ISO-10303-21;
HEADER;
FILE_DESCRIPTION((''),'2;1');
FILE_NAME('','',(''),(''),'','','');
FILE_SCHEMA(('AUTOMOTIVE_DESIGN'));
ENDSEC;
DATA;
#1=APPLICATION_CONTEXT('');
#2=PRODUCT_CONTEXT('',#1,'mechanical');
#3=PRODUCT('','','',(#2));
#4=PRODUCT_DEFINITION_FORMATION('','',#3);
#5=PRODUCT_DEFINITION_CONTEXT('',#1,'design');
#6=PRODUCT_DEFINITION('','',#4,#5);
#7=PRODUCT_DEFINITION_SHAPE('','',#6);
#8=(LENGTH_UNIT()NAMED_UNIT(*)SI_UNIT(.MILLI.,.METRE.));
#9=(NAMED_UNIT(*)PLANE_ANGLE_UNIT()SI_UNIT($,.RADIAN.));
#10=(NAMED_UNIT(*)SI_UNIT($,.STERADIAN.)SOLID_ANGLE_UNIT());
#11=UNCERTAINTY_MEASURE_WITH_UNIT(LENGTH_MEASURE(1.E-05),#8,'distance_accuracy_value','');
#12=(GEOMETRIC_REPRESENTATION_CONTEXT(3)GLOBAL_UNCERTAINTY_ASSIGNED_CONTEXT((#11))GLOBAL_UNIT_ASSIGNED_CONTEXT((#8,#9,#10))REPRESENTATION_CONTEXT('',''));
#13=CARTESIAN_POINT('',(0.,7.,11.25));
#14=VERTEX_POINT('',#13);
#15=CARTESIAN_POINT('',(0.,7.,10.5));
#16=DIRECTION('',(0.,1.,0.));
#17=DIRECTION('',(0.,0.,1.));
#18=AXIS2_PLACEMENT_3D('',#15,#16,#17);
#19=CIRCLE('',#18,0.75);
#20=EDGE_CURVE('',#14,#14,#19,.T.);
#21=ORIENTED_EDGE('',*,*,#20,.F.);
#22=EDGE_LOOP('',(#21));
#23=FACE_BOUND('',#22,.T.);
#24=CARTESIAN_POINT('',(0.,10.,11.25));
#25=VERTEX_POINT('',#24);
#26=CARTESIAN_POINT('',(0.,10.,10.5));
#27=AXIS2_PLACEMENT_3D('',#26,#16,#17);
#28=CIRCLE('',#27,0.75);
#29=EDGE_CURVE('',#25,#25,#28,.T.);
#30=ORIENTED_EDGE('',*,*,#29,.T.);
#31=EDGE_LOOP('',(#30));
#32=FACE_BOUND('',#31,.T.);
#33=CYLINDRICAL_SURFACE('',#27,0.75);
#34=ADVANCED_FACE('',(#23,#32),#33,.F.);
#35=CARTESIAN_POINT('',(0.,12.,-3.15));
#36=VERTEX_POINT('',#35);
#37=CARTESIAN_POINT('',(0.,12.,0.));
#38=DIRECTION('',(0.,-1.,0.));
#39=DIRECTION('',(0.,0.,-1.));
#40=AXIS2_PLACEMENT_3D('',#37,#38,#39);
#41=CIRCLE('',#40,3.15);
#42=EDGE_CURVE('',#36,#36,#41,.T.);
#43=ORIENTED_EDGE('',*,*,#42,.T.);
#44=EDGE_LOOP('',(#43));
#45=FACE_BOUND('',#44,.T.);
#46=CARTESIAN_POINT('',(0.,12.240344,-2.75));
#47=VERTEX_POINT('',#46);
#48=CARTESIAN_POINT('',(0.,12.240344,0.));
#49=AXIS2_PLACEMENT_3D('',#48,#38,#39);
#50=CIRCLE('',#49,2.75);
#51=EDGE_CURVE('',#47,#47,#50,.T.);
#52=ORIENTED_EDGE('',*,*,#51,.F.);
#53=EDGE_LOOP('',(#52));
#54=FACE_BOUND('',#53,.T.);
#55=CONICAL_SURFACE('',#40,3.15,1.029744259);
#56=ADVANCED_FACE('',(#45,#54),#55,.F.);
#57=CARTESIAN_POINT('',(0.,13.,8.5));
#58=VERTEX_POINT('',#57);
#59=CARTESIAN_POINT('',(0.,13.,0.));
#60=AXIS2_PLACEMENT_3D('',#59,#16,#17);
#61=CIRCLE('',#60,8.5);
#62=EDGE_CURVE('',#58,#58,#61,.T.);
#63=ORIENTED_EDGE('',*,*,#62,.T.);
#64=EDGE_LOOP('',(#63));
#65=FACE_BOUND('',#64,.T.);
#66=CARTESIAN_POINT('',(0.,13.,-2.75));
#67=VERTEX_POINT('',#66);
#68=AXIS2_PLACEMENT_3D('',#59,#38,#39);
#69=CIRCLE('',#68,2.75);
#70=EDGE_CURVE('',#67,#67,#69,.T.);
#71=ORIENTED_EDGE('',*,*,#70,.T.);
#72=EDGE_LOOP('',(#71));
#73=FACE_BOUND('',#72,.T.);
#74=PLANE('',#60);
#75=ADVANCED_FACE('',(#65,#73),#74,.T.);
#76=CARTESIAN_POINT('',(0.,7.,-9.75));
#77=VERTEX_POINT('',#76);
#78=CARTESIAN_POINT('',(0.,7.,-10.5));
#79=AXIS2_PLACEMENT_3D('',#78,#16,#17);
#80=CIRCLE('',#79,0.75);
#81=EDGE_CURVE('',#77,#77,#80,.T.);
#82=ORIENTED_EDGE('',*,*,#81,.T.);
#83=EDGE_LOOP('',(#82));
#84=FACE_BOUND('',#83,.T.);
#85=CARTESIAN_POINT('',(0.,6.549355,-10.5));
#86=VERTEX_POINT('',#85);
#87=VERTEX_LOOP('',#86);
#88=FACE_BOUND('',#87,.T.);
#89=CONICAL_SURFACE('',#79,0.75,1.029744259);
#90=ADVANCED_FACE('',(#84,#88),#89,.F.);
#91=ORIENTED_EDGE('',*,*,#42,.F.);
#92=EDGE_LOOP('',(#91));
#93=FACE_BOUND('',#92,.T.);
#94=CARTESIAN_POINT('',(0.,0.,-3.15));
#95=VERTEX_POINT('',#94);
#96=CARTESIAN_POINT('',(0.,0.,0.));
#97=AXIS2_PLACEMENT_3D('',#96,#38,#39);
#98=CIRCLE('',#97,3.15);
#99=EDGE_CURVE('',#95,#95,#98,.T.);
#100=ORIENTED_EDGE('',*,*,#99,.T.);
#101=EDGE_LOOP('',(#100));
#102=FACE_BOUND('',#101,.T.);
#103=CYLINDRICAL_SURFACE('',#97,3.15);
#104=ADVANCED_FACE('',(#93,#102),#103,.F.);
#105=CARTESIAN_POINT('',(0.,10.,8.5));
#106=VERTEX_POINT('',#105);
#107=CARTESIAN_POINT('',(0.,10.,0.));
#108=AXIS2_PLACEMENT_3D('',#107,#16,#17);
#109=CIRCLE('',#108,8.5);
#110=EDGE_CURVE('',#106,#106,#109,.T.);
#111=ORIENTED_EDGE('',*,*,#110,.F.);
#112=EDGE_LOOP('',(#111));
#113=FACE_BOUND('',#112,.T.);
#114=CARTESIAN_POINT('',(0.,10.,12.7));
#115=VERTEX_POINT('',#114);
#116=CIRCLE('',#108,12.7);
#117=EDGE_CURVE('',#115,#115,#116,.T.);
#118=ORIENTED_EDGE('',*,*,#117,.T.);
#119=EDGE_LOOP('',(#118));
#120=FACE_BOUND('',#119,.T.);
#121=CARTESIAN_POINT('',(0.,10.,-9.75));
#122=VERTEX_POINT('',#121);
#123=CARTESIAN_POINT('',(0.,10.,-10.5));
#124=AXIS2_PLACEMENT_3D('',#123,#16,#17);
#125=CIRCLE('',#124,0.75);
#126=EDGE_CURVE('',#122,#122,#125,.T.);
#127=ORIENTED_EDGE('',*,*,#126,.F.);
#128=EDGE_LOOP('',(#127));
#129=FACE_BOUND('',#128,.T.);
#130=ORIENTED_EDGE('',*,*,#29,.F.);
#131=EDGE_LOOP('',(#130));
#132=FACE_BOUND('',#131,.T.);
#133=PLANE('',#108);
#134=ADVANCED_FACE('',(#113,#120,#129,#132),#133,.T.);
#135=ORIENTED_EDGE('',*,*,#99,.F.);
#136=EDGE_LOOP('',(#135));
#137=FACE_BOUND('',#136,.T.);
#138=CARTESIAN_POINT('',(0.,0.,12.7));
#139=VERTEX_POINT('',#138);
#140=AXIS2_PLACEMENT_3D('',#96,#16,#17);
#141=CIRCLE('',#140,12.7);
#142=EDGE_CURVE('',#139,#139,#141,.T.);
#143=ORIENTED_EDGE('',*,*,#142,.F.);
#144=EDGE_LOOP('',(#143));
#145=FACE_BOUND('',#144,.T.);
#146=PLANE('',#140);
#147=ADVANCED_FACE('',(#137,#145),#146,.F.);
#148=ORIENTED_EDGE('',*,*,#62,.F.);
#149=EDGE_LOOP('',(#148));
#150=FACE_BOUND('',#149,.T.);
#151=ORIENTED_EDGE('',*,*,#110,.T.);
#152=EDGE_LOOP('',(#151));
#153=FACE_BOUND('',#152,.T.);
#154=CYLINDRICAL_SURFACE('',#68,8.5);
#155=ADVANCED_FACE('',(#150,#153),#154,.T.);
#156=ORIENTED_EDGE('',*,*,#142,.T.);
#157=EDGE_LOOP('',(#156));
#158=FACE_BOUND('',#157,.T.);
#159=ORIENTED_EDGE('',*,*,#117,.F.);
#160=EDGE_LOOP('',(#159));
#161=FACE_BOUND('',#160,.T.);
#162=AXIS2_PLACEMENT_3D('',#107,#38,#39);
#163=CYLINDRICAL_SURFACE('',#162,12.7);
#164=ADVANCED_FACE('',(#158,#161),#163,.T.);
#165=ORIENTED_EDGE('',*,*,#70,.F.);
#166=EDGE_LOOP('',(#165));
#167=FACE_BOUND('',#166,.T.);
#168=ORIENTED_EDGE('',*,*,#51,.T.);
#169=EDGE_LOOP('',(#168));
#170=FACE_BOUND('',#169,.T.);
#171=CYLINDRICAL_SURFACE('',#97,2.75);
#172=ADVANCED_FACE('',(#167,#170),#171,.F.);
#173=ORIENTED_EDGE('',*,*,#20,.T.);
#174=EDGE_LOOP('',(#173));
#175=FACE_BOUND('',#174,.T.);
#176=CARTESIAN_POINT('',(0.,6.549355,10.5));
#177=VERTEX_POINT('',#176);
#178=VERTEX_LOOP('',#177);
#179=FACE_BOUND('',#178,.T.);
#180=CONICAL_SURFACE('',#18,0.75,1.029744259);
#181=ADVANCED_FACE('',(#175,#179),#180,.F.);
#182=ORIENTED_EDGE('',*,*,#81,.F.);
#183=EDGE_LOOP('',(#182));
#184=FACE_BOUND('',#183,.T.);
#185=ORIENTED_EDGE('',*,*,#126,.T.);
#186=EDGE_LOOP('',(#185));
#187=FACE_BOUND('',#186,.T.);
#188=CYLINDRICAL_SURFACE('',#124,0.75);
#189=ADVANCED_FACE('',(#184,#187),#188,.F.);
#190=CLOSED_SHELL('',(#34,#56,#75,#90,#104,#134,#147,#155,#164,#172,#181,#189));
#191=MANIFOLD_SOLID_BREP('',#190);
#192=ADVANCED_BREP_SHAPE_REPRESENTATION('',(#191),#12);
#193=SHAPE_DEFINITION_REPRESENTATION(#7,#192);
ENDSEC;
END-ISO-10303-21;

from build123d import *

# Parameters (mm, degrees)
SKETCH1_R                      = 12.7
BOSS_EXTRUDE1_DEPTH            = 10
SKETCH2_R                      = 8.5
BOSS_EXTRUDE2_DEPTH            = 3
F_5_5_5_5_DIAMETER_HOLE1_D     = 5.5
F_6_3_6_3_DIAMETER_HOLE1_D     = 6.3
F_6_3_6_3_DIAMETER_HOLE1_DEPTH = 12
F_6_3_6_3_DIAMETER_HOLE1_TIP   = 1.89271095
F_1_5MM_DOWEL_HOLE1_D          = 1.5
F_1_5MM_DOWEL_HOLE1_DEPTH      = 3
F_1_5MM_DOWEL_HOLE1_TIP        = 0.450645464


with BuildPart() as part:
    # Sketch1 → Boss-Extrude1 (new body)
    with BuildSketch(Plane(origin=(0, 0, 0), x_dir=(1, 0, 0), z_dir=(0, 1, 0))):
        Circle(SKETCH1_R)
    extrude(amount=BOSS_EXTRUDE1_DEPTH)

    # Sketch2 → Boss-Extrude2 (add)
    with BuildSketch(Plane(origin=(0, 10, 0), x_dir=(1, 0, 0), z_dir=(0, 1, 0))):
        Circle(SKETCH2_R)
    extrude(amount=BOSS_EXTRUDE2_DEPTH)

    # Ø5.5 (5.5) Diameter Hole1 (through all)
    with Locations(Plane(origin=(0, 0, 0), x_dir=(-1, 0, 0), z_dir=(0, -1, 0))):
        with Locations((0, 0)):
            Hole(F_5_5_5_5_DIAMETER_HOLE1_D / 2)

    # Ø6.3 (6.3) Diameter Hole1
    with Locations(Plane(origin=(0, 0, 0), x_dir=(-1, 0, 0), z_dir=(0, -1, 0))):
        with Locations((0, 0)):
            Hole(F_6_3_6_3_DIAMETER_HOLE1_D / 2, depth=F_6_3_6_3_DIAMETER_HOLE1_DEPTH)
            with Locations((0, 0, -(F_6_3_6_3_DIAMETER_HOLE1_DEPTH + F_6_3_6_3_DIAMETER_HOLE1_TIP / 2))):  # 118° drill point
                Cone(0, F_6_3_6_3_DIAMETER_HOLE1_D / 2, F_6_3_6_3_DIAMETER_HOLE1_TIP, mode=Mode.SUBTRACT)

    # Ø1.5mm Dowel Hole1
    with Locations(Plane(origin=(0, 10, 0), x_dir=(1, 0, 0), z_dir=(0, 1, 0))):
        with Locations((0, 10.5), (0, -10.5)):
            Hole(F_1_5MM_DOWEL_HOLE1_D / 2, depth=F_1_5MM_DOWEL_HOLE1_DEPTH)
            with Locations((0, 0, -(F_1_5MM_DOWEL_HOLE1_DEPTH + F_1_5MM_DOWEL_HOLE1_TIP / 2))):  # 118° drill point
                Cone(0, F_1_5MM_DOWEL_HOLE1_D / 2, F_1_5MM_DOWEL_HOLE1_TIP, mode=Mode.SUBTRACT)


solid = part.part
